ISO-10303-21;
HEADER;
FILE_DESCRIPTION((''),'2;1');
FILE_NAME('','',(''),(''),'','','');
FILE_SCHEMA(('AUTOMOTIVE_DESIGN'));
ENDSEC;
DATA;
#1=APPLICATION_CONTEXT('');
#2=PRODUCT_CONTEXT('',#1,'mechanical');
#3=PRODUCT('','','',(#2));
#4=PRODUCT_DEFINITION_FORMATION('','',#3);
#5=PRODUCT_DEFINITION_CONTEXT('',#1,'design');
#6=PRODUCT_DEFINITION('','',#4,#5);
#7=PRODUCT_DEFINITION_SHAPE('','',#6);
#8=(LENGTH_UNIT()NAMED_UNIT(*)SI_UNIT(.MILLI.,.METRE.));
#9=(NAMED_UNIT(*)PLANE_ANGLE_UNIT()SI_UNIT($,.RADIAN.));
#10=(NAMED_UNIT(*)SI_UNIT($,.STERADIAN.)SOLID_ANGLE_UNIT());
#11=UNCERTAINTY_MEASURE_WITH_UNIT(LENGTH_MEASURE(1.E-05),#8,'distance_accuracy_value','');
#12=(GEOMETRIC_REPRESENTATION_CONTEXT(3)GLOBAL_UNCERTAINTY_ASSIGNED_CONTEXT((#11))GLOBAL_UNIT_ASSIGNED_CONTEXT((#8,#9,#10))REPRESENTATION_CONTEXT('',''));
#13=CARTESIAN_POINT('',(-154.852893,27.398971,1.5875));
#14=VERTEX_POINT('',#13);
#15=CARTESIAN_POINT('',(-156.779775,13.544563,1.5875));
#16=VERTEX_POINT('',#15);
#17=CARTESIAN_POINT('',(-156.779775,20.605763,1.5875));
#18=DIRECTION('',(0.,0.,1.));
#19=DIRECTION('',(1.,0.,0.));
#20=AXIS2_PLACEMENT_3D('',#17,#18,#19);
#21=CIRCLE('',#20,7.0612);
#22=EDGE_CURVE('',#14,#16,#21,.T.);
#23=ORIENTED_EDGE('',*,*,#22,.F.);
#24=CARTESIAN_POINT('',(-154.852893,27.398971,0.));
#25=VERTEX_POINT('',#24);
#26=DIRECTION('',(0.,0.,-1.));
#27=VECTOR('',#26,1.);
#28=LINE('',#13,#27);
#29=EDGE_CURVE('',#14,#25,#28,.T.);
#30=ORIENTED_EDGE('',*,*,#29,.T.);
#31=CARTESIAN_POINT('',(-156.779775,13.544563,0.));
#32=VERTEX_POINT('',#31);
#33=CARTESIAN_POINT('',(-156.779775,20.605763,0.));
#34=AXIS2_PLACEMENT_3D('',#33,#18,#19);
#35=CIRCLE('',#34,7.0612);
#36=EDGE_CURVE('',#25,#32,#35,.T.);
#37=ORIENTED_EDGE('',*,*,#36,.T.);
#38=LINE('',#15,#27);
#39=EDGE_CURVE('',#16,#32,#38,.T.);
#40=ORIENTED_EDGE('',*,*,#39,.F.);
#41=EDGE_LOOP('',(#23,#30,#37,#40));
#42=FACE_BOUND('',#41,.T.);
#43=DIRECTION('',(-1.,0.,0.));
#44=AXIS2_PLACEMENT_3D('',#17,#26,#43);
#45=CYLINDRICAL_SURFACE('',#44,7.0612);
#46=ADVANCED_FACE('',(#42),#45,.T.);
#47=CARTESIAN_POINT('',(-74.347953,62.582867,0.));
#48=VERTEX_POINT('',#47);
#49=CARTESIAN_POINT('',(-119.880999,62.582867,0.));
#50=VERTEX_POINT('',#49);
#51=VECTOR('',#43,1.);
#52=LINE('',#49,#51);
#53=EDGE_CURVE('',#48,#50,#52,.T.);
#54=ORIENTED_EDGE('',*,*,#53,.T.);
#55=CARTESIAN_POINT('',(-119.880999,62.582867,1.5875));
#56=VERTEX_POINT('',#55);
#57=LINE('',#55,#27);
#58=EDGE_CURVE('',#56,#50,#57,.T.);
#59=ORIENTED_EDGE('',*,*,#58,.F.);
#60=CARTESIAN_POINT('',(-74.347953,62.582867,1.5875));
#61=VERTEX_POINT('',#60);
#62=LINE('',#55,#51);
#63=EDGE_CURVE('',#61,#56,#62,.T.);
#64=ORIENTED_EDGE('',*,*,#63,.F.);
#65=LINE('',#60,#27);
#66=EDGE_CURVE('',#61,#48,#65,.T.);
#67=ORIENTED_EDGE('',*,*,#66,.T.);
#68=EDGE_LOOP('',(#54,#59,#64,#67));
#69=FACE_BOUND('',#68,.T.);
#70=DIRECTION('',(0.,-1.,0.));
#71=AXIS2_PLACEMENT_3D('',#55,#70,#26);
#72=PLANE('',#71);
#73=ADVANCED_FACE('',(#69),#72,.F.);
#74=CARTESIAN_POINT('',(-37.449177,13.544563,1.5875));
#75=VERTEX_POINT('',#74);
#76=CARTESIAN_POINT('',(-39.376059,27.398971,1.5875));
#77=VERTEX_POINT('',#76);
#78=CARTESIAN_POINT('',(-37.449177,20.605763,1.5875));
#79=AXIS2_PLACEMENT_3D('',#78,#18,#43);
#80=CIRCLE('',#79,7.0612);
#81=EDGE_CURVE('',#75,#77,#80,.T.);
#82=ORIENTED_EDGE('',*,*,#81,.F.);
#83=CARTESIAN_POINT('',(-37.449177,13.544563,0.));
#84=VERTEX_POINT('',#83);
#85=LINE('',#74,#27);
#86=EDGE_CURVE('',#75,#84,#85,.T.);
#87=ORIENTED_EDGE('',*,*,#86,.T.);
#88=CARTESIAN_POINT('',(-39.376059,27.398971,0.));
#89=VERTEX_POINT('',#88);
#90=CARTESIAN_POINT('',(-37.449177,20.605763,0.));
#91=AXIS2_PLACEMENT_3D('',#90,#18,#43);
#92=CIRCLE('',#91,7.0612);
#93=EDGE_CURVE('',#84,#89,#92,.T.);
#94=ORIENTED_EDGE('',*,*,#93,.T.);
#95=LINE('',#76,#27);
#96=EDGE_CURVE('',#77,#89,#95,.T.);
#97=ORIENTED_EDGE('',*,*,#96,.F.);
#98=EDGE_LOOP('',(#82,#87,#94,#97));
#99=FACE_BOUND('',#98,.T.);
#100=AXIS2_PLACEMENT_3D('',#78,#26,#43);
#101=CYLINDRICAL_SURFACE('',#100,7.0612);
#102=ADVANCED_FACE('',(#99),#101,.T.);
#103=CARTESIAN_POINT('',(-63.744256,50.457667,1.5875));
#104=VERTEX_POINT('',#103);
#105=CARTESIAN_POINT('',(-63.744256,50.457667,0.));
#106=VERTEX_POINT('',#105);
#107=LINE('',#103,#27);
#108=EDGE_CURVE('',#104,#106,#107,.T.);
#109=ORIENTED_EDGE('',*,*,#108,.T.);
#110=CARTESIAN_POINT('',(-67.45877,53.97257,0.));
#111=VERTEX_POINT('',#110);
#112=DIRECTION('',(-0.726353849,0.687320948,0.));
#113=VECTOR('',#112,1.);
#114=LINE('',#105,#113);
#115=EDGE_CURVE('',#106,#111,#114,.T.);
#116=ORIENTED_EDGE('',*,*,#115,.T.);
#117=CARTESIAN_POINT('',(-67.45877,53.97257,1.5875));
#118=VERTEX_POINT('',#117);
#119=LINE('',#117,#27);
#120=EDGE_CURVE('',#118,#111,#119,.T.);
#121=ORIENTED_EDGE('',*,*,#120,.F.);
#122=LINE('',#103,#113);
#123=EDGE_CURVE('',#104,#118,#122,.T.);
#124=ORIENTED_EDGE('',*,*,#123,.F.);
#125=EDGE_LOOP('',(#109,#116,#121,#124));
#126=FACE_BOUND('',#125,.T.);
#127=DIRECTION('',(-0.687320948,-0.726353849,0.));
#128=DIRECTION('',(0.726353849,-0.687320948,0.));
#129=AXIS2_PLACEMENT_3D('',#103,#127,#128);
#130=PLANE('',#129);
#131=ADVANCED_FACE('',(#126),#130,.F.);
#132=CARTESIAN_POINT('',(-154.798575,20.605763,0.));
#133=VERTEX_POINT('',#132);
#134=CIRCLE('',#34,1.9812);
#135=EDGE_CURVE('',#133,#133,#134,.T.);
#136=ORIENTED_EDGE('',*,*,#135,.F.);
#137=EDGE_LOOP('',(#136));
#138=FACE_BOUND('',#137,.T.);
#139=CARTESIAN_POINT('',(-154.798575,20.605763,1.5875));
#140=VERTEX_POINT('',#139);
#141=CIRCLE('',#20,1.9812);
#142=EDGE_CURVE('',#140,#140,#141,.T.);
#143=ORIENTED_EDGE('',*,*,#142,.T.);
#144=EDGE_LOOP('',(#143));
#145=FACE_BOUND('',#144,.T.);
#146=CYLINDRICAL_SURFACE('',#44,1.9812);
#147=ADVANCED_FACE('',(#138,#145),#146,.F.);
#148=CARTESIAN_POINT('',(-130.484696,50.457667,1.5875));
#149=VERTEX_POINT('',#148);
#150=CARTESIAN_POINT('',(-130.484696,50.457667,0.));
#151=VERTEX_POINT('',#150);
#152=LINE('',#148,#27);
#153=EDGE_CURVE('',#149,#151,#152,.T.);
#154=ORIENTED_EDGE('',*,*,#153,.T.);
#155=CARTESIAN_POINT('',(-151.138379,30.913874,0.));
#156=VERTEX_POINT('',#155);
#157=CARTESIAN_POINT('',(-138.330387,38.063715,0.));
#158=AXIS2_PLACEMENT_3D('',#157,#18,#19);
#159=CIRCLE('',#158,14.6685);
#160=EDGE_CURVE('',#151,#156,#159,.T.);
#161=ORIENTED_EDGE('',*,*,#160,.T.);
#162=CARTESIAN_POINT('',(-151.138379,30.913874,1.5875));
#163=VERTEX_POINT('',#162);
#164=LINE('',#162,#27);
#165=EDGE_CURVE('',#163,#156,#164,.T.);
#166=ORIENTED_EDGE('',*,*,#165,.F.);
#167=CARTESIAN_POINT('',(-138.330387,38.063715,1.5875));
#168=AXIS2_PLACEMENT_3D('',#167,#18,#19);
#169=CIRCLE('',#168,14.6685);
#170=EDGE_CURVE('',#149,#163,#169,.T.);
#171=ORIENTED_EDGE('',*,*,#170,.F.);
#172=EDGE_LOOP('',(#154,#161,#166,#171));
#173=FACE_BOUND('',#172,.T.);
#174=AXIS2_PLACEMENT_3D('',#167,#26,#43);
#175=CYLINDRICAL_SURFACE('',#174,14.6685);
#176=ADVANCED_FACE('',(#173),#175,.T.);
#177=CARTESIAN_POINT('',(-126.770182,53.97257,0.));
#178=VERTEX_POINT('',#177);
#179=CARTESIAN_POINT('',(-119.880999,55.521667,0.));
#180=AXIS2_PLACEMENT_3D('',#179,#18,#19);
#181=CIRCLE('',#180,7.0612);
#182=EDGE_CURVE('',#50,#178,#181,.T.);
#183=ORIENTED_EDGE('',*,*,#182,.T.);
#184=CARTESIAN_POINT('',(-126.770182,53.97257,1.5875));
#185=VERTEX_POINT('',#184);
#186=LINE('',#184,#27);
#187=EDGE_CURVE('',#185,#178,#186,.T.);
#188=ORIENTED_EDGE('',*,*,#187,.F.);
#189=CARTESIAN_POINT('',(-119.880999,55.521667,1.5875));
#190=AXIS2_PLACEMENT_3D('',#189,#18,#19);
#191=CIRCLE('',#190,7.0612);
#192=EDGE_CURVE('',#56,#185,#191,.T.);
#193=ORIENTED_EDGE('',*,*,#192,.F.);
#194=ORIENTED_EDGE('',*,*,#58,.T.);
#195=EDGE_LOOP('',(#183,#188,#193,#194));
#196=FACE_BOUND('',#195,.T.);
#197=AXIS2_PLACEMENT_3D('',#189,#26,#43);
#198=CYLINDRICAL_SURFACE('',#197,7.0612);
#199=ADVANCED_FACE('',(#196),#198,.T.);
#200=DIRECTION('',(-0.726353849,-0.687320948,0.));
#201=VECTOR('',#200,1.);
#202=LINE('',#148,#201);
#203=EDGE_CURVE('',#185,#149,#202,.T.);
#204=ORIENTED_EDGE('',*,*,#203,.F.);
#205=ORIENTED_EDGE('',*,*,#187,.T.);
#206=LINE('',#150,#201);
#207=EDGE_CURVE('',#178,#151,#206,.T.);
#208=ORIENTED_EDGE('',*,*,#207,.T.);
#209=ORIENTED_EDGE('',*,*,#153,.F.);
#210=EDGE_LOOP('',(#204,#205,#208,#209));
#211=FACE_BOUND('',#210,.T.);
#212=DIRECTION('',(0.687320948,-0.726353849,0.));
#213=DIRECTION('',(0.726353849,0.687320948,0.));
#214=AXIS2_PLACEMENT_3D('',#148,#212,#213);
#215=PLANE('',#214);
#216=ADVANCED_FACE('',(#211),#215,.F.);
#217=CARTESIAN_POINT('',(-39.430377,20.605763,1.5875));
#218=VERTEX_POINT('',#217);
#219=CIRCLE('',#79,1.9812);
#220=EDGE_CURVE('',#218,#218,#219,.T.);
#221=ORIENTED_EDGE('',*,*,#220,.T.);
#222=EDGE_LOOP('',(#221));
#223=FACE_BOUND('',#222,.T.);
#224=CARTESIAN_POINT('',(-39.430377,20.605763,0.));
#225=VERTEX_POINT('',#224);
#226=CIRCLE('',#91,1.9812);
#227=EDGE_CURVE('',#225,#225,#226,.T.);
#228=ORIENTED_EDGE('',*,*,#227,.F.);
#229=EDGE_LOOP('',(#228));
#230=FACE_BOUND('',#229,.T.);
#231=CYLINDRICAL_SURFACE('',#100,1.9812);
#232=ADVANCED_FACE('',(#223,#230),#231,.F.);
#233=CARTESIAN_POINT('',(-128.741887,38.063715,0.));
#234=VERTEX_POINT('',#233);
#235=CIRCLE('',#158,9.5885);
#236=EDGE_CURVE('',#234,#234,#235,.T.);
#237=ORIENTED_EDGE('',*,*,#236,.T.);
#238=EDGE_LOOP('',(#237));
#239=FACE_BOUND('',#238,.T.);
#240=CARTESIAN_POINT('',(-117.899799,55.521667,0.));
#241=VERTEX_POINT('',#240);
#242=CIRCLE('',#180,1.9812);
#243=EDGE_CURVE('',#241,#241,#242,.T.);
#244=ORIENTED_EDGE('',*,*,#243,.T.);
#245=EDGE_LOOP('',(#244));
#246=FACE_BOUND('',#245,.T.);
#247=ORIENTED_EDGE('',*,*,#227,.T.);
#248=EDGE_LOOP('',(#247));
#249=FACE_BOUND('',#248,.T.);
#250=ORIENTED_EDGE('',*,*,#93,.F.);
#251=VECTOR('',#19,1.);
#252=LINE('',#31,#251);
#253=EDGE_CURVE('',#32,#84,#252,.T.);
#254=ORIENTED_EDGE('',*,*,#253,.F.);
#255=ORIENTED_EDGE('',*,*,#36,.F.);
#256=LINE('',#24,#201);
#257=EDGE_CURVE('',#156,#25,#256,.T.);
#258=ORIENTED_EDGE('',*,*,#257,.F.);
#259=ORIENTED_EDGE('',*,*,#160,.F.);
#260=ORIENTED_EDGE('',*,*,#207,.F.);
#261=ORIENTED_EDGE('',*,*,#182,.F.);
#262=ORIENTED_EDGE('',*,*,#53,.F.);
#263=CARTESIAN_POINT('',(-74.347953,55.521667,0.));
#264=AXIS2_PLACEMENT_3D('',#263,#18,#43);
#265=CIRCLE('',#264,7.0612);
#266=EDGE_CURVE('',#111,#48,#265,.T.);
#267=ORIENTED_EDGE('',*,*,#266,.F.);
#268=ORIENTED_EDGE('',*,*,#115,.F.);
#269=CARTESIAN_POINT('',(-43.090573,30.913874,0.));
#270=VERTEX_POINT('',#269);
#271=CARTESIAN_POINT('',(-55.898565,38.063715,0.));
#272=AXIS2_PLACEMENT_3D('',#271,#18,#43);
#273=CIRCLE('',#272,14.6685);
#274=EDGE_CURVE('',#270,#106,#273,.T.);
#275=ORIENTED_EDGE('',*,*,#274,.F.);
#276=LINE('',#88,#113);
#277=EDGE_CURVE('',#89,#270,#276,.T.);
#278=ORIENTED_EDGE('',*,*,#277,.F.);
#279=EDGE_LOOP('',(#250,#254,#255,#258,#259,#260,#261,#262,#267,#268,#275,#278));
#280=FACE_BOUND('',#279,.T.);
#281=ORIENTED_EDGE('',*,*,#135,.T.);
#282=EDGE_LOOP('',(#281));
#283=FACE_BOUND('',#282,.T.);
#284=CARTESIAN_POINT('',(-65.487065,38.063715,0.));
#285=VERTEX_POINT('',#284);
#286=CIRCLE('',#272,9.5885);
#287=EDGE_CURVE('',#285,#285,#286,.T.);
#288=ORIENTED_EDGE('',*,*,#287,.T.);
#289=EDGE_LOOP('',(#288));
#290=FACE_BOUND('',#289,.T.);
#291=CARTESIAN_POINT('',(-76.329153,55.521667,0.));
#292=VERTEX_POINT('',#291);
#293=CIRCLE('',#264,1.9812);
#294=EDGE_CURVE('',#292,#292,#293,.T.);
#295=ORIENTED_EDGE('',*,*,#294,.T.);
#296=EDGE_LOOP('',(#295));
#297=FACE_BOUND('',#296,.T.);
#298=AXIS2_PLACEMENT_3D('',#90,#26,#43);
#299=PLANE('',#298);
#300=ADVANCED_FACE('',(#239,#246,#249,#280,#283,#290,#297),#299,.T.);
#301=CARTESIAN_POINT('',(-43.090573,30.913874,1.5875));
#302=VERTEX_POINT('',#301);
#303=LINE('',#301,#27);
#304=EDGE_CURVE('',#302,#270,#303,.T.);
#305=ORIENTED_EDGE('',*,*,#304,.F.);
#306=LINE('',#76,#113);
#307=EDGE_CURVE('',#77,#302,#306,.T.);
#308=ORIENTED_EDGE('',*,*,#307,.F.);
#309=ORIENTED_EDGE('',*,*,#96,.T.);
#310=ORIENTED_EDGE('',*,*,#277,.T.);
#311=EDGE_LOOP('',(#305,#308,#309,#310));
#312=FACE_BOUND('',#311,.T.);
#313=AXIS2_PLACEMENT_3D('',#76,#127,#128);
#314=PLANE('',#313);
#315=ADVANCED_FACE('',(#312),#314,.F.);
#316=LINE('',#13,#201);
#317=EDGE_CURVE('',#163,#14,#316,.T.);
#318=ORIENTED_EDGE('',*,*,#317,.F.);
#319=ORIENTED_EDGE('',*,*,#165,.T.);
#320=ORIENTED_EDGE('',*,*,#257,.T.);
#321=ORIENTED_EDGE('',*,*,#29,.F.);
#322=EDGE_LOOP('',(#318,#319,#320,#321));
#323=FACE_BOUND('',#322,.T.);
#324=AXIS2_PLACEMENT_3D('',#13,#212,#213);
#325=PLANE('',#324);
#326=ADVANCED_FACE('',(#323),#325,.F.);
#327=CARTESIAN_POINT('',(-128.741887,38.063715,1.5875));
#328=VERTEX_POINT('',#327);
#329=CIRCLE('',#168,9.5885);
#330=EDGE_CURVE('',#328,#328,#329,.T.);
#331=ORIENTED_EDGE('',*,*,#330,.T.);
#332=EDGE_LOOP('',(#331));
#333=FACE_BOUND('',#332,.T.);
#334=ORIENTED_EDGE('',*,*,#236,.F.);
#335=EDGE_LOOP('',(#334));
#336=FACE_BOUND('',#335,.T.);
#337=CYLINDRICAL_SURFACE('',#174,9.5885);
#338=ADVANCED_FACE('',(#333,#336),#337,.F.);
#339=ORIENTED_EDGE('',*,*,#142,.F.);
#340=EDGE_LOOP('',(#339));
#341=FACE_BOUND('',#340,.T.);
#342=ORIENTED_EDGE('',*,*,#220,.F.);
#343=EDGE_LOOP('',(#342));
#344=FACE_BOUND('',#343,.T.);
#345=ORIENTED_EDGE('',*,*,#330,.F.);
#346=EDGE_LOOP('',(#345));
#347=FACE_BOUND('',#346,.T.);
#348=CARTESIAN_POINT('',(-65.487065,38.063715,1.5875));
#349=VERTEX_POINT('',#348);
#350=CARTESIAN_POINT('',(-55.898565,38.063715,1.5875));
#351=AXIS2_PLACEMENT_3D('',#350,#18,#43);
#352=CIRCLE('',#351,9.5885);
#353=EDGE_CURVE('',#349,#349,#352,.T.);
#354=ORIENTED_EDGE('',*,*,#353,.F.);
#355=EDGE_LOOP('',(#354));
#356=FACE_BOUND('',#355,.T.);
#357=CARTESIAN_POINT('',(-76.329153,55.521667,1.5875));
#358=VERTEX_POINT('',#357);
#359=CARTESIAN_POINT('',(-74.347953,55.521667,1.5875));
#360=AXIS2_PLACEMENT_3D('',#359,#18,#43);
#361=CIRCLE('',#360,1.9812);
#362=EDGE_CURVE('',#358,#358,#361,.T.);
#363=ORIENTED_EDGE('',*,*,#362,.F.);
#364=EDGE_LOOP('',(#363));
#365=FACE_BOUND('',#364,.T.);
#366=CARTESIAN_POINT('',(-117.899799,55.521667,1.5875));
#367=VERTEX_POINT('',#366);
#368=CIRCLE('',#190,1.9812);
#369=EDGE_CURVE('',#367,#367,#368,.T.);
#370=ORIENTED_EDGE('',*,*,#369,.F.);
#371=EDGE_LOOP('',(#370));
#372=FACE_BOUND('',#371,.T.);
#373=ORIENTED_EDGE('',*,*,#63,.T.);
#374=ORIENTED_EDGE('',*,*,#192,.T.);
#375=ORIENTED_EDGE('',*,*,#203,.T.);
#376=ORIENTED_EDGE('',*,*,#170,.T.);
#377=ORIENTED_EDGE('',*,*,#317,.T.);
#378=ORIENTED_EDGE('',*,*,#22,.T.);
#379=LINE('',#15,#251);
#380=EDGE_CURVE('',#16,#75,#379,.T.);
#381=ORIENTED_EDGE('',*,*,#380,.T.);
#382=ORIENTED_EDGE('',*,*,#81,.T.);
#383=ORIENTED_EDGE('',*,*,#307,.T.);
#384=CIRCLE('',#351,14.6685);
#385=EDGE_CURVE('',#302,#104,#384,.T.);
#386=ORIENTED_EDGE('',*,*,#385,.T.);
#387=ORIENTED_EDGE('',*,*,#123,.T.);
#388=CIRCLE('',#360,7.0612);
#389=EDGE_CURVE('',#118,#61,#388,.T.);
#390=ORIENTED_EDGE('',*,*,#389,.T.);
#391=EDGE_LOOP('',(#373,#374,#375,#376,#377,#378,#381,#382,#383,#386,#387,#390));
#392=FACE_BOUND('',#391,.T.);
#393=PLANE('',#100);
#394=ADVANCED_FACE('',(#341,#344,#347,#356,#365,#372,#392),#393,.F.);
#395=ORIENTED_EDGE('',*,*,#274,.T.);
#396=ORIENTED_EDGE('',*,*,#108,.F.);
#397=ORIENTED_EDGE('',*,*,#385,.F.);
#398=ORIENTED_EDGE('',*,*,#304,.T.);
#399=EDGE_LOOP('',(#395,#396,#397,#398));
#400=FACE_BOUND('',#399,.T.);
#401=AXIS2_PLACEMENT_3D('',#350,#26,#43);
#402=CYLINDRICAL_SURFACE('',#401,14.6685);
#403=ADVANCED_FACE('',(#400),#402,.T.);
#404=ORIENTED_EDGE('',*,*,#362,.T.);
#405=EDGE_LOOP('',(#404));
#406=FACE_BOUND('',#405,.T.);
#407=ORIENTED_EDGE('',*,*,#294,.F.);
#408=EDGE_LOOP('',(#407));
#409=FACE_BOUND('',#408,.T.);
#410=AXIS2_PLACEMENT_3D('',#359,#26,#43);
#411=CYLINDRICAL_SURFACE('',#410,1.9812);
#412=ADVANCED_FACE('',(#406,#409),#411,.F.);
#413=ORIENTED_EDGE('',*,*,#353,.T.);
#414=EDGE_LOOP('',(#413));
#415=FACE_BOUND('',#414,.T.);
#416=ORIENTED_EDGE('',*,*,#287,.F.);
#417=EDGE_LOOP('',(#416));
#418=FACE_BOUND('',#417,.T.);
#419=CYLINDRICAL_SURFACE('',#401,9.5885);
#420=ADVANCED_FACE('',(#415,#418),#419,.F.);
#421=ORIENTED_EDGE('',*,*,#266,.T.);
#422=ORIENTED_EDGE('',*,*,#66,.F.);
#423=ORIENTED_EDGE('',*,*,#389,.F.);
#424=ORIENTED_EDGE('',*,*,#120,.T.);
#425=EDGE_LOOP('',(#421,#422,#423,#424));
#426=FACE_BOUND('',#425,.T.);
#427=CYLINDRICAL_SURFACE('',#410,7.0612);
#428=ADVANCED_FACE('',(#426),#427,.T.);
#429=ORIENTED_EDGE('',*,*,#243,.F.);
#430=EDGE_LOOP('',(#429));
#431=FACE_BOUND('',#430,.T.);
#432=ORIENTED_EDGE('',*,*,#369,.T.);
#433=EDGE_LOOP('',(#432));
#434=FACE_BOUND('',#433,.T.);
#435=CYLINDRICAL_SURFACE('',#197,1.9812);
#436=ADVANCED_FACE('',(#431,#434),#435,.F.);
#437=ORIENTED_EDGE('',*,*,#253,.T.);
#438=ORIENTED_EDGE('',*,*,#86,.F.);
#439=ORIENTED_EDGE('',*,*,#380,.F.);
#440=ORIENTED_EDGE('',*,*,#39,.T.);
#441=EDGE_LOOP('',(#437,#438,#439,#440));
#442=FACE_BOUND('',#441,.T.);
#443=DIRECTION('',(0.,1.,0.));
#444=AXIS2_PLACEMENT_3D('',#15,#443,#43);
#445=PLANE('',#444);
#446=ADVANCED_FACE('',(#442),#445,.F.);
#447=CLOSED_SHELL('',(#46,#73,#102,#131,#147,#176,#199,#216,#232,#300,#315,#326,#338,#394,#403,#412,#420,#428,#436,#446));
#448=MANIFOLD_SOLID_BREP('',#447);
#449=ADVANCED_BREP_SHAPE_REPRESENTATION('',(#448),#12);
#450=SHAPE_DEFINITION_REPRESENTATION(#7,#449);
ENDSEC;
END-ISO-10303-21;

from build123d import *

# Parameters (mm, degrees)
SKETCH1_R           = 1.9812
SKETCH1_R_2         = 9.5885
BOSS_EXTRUDE1_DEPTH = 1.5875


with BuildPart() as part:
    # Sketch1 → Boss-Extrude1 (new body)
    with BuildSketch(Plane.XY):
        with BuildLine():
            Line((-156.779774808, 13.544563035), (-37.44917733, 13.544563035))
            ThreePointArc((-37.44917733, 13.544563035), (-30.455296249, 21.578477211), (-39.376058675, 27.398970946))
            Line((-39.376058675, 27.398970946), (-43.090572863, 30.913874067))
            ThreePointArc((-43.090572863, 30.913874067), (-45.816597783, 48.718236551), (-63.74425571, 50.457666506))
            Line((-63.74425571, 50.457666506), (-67.458769898, 53.972569627))
            ThreePointArc((-67.458769898, 53.972569627), (-68.834377223, 59.933132802), (-74.347952883, 62.582867186))
            Line((-74.347952883, 62.582867186), (-119.880999255, 62.582867186))
            ThreePointArc((-119.880999255, 62.582867186), (-125.394574915, 59.933132802), (-126.770182239, 53.972569627))
            Line((-126.770182239, 53.972569627), (-130.484696428, 50.457666506))
            ThreePointArc((-130.484696428, 50.457666506), (-148.412354355, 48.718236551), (-151.138379275, 30.913874067))
            Line((-151.138379275, 30.913874067), (-154.852893463, 27.398970946))
            ThreePointArc((-154.852893463, 27.398970946), (-163.773655888, 21.578477211), (-156.779774808, 13.544563035))
        make_face()
        with Locations(Location((-37.44917733, 20.605763035, 0), (0, 0, 180))):
            Circle(SKETCH1_R, mode=Mode.SUBTRACT)
        with Locations((-138.330387031, 38.06371511)):
            Circle(SKETCH1_R_2, mode=Mode.SUBTRACT)
        with Locations((-119.880999255, 55.521667186)):
            Circle(SKETCH1_R, mode=Mode.SUBTRACT)
        with Locations((-156.779774808, 20.605763035)):
            Circle(SKETCH1_R, mode=Mode.SUBTRACT)
        with Locations(Location((-74.347952883, 55.521667186, 0), (0, 0, 180))):
            Circle(SKETCH1_R, mode=Mode.SUBTRACT)
        with Locations(Location((-55.898565106, 38.06371511, 0), (0, 0, 180))):
            Circle(SKETCH1_R_2, mode=Mode.SUBTRACT)
    extrude(amount=BOSS_EXTRUDE1_DEPTH)


solid = part.part
